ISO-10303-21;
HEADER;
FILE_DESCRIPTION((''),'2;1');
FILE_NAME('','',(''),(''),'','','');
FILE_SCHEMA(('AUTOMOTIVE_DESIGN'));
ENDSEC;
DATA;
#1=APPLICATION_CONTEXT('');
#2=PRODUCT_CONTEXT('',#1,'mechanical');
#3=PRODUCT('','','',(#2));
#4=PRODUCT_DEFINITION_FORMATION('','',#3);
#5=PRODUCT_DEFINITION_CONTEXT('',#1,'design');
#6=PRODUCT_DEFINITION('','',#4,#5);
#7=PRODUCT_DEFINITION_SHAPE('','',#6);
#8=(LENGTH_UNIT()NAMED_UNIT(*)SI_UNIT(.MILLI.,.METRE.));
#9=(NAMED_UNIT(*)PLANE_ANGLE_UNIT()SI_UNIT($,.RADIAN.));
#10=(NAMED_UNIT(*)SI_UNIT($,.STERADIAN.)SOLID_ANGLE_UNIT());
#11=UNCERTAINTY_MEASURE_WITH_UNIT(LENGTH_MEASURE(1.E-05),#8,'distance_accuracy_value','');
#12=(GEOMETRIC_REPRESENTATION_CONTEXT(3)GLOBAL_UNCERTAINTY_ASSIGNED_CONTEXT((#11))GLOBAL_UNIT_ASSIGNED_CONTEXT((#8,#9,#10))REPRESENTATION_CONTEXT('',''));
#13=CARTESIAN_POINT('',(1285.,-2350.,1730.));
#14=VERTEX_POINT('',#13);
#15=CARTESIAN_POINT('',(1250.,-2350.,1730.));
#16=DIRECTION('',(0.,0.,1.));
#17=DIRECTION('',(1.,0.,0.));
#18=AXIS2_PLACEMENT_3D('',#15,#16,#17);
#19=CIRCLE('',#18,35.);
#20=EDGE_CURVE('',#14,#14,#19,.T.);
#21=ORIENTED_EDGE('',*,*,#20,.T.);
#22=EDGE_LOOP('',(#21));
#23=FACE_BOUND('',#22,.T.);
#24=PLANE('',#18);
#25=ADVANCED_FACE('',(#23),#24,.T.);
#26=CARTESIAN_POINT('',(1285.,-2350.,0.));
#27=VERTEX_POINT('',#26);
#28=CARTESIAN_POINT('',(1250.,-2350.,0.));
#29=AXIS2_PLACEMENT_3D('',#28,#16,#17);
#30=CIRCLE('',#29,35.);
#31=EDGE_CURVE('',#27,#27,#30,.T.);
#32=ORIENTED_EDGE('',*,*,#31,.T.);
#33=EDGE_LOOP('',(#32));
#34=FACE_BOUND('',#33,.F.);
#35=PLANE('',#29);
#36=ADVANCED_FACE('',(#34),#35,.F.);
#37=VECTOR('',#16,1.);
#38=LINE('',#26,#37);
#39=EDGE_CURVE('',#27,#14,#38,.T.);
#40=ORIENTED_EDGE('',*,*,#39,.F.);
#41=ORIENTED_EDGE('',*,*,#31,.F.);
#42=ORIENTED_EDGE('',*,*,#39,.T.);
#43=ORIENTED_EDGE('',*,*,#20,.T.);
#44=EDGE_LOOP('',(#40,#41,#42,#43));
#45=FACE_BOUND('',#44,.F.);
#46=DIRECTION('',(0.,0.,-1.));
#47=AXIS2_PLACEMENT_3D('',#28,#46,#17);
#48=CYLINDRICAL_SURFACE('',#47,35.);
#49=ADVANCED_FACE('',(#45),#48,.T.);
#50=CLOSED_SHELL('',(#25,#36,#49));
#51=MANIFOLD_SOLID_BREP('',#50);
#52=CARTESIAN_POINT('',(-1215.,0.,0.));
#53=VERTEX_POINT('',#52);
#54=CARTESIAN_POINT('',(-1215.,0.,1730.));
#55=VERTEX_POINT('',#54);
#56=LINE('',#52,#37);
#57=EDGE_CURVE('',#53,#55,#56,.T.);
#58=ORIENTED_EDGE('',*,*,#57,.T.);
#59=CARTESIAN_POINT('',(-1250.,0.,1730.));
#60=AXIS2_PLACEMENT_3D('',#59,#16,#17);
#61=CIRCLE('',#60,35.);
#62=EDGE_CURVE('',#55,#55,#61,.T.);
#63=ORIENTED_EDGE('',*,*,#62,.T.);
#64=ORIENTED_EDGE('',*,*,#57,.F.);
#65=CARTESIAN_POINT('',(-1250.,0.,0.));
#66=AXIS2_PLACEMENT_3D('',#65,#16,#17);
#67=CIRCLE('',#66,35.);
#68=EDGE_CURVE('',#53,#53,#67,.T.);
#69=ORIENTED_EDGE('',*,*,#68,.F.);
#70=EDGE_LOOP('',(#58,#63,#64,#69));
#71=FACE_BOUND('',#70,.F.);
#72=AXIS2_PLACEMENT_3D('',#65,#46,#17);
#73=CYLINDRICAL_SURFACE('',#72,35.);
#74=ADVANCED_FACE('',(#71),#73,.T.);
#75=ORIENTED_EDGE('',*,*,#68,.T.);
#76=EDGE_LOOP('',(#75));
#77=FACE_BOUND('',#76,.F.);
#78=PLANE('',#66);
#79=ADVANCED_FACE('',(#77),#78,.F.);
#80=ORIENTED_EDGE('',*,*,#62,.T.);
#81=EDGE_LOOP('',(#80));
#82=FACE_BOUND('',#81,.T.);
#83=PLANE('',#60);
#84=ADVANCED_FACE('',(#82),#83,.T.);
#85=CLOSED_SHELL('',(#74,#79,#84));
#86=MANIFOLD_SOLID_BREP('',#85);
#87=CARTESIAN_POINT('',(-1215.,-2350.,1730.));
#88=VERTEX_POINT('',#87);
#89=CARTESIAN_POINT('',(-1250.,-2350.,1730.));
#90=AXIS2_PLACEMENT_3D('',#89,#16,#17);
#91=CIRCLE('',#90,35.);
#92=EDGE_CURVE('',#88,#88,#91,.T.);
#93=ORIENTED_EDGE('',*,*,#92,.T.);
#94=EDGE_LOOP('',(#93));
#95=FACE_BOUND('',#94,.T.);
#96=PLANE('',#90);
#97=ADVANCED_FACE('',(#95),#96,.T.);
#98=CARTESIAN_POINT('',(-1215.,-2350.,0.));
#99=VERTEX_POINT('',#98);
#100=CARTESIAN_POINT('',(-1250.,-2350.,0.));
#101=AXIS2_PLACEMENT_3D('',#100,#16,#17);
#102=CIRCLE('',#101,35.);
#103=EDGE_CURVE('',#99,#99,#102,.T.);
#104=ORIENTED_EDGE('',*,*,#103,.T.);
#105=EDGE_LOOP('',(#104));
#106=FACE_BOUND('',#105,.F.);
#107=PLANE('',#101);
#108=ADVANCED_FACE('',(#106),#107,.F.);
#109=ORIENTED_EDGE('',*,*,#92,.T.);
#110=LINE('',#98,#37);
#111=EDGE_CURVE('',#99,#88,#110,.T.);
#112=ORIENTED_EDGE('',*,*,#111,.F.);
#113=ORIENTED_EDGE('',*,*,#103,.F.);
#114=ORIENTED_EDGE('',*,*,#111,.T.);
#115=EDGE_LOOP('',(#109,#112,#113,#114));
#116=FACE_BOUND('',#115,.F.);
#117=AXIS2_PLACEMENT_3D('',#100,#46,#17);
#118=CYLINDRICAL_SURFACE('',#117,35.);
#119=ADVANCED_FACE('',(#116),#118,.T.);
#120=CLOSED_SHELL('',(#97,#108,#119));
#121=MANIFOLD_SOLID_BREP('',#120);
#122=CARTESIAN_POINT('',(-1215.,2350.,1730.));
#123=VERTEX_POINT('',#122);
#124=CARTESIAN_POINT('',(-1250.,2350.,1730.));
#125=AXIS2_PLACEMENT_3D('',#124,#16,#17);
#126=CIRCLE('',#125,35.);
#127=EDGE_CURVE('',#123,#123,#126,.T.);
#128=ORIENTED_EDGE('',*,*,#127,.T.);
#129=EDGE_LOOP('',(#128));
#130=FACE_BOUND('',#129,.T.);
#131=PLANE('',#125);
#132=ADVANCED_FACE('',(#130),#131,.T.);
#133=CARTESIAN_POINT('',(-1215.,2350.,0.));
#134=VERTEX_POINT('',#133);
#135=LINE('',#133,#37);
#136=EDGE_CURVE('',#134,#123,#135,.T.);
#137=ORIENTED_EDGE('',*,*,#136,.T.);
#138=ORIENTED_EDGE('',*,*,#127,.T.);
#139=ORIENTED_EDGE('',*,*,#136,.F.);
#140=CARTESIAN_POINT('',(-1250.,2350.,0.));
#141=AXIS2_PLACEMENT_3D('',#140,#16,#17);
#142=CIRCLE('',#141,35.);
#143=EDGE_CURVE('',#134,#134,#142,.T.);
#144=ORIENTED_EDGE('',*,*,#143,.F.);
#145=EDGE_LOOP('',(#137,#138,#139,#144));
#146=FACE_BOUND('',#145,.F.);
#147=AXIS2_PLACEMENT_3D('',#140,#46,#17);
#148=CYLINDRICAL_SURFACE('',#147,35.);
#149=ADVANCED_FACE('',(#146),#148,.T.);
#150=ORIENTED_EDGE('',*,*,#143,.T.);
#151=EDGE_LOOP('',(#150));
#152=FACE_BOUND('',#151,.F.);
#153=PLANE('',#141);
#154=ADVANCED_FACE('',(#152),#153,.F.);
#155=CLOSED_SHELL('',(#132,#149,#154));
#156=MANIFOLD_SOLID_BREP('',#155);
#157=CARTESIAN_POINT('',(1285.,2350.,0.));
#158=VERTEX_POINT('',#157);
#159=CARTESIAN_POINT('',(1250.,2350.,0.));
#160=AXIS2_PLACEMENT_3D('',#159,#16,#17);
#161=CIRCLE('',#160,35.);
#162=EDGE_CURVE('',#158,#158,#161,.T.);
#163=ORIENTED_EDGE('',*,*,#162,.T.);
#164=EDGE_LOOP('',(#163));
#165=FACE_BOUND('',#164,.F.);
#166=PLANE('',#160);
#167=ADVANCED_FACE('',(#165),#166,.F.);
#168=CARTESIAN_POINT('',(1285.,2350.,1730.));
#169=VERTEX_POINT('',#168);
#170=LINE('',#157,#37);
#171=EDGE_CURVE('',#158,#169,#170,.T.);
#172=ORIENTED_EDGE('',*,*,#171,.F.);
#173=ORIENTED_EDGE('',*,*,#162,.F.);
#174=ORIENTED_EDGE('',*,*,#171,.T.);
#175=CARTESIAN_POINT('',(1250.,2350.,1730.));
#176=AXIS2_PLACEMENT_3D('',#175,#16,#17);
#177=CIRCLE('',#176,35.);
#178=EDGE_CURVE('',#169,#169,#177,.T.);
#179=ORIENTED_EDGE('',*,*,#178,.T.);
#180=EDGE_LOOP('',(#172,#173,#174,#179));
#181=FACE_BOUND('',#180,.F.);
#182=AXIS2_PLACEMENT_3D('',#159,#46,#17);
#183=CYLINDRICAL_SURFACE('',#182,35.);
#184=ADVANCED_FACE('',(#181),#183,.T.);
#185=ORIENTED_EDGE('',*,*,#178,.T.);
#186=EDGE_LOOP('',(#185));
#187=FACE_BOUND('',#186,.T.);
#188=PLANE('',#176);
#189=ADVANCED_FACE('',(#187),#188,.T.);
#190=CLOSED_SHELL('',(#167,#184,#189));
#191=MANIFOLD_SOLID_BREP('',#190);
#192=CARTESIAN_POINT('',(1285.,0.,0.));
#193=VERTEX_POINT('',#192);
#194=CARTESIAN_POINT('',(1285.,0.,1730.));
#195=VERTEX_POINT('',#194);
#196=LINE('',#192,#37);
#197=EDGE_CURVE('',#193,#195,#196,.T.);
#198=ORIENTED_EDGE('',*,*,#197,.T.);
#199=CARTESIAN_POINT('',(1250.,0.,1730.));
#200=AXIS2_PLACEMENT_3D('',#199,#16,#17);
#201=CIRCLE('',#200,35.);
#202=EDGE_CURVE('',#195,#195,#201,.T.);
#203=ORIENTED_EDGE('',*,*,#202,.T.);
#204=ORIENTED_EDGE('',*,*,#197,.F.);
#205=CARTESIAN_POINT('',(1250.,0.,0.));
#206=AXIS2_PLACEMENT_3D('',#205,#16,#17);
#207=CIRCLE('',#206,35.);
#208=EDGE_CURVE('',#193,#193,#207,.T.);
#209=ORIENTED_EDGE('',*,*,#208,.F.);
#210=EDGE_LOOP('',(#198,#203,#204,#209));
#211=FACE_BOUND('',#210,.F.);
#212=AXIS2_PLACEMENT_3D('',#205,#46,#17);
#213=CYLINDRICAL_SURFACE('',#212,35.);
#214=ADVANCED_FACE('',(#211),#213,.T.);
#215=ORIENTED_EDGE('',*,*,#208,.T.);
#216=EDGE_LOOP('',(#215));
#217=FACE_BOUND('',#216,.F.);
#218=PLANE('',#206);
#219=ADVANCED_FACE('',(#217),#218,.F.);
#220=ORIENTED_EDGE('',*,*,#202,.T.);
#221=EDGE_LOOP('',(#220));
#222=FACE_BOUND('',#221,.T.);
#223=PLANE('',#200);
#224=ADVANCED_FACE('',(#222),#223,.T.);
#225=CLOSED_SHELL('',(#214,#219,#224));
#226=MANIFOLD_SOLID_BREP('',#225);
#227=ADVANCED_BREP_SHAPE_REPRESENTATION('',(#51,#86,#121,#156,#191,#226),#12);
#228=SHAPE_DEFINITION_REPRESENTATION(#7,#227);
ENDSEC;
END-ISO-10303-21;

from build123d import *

# Parameters (mm, degrees)
F0_R     = 35
F1_DEPTH = 1730


with BuildPart() as f1:
    # F0 (on Top) → F1 (new body)
    with BuildSketch(Plane.XY):
        with Locations((1250, -2350)):
            Circle(F0_R)
        with Locations((-1250, -2350)):
            Circle(F0_R)
        with Locations((1250, 0)):
            Circle(F0_R)
        with Locations((1250, 2350)):
            Circle(F0_R)
        with Locations((-1250, 0)):
            Circle(F0_R)
        with Locations((-1250, 2350)):
            Circle(F0_R)
    extrude(amount=F1_DEPTH)


solid = f1.part
